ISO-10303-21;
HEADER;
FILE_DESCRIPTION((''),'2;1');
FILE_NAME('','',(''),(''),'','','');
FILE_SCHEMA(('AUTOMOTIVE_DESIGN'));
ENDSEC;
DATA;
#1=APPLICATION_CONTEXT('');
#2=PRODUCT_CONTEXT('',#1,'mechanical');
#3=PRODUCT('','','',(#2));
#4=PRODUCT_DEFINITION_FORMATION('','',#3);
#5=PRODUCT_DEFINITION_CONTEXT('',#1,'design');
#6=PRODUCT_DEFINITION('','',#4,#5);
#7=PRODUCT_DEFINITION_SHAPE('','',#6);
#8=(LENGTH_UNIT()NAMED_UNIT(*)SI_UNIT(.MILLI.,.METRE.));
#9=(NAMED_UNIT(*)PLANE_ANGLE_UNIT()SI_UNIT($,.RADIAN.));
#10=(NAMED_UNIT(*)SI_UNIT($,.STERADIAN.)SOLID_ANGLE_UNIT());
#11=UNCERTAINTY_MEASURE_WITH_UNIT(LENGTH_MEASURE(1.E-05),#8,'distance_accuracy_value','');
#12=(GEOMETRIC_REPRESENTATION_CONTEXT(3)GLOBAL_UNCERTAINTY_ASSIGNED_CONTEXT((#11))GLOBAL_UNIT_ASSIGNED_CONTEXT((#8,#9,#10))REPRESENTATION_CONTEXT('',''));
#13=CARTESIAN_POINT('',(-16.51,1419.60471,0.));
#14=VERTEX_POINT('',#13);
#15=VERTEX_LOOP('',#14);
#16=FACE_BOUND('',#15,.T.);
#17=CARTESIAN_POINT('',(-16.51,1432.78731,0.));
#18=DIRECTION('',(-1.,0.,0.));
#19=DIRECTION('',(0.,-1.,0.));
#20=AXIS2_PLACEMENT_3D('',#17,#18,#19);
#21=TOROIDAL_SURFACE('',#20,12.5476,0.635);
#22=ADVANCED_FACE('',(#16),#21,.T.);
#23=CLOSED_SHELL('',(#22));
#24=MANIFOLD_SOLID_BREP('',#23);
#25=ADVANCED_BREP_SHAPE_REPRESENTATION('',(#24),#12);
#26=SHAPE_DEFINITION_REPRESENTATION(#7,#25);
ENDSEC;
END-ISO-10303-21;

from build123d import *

# Parameters (mm, degrees)
SKETCH1_R = 0.635


with BuildPart() as part:
    # Sketch1 → Revolve1 (revolve)
    with BuildSketch(Plane.XY):
        with Locations((-16.51, 1445.334910137)):
            Circle(SKETCH1_R)
    revolve(axis=Axis((-22.86, 1432.787310137, 0), (1, 0, 0)))


solid = part.part
